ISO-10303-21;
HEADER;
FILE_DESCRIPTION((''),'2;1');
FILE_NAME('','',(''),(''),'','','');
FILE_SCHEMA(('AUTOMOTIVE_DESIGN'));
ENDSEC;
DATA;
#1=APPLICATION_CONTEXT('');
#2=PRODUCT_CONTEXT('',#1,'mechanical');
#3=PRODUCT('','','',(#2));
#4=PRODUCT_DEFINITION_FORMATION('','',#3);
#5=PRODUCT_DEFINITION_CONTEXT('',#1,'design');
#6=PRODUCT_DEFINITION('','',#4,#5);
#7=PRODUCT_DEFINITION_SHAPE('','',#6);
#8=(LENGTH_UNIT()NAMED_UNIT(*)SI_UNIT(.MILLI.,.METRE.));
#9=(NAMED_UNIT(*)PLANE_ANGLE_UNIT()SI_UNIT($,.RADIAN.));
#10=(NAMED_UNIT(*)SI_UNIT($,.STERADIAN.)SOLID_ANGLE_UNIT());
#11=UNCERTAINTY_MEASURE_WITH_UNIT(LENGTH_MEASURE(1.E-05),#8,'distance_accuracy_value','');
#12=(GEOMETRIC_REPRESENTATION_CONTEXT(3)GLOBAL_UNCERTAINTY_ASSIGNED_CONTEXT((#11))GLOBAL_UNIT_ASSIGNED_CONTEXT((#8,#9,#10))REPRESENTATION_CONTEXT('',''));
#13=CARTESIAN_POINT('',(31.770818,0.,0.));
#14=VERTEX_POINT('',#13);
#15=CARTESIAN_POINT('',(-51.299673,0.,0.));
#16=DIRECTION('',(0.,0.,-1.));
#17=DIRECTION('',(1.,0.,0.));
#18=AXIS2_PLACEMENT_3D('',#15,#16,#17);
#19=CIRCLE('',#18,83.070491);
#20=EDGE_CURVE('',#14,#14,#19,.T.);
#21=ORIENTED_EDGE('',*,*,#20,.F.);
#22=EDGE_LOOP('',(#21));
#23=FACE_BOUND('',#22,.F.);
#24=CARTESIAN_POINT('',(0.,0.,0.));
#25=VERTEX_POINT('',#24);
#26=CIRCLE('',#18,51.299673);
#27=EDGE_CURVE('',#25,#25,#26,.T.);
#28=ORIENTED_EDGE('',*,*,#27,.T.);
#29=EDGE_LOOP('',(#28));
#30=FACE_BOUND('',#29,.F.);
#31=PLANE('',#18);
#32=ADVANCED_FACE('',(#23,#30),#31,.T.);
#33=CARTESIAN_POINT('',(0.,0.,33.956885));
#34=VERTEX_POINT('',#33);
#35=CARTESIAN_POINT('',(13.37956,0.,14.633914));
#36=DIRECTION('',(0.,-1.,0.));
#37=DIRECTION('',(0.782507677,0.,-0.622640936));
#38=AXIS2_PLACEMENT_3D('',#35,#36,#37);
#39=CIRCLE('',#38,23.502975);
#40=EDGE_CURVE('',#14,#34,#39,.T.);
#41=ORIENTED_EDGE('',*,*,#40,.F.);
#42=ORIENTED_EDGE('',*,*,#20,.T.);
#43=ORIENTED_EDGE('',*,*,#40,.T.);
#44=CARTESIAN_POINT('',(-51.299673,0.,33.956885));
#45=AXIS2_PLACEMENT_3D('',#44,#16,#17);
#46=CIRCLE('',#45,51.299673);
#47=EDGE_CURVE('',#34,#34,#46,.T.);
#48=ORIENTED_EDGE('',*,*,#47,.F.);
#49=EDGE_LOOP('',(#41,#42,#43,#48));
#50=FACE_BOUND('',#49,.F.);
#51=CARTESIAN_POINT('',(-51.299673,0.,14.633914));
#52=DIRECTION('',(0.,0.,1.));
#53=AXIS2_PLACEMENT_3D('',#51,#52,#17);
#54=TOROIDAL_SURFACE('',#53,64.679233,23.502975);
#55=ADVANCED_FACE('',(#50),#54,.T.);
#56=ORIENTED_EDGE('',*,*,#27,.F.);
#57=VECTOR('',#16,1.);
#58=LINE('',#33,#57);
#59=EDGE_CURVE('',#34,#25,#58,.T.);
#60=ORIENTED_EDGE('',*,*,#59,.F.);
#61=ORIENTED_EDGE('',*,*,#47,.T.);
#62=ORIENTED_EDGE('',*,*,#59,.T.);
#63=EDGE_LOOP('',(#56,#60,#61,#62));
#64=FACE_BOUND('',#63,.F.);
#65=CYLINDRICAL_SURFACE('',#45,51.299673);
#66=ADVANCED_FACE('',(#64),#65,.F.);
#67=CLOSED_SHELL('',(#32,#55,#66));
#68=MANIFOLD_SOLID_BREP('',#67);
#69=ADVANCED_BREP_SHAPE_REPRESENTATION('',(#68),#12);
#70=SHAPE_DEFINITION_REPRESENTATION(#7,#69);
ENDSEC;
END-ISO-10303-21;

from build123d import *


with BuildPart() as f1:
    # F0 (on Front) → F1 (revolve)
    with BuildSketch(Plane.XZ):
        with BuildLine():
            ThreePointArc((31.770818, 0), (30.541925, 30.691406), (0, 33.956885))
            Line((0, 33.956885), (0, 0))
            Line((0, 0), (31.770818, 0))
        make_face()
    revolve(axis=Axis((-51.299673, 0, 0.874426), (0, 0, -1)))


solid = f1.part
